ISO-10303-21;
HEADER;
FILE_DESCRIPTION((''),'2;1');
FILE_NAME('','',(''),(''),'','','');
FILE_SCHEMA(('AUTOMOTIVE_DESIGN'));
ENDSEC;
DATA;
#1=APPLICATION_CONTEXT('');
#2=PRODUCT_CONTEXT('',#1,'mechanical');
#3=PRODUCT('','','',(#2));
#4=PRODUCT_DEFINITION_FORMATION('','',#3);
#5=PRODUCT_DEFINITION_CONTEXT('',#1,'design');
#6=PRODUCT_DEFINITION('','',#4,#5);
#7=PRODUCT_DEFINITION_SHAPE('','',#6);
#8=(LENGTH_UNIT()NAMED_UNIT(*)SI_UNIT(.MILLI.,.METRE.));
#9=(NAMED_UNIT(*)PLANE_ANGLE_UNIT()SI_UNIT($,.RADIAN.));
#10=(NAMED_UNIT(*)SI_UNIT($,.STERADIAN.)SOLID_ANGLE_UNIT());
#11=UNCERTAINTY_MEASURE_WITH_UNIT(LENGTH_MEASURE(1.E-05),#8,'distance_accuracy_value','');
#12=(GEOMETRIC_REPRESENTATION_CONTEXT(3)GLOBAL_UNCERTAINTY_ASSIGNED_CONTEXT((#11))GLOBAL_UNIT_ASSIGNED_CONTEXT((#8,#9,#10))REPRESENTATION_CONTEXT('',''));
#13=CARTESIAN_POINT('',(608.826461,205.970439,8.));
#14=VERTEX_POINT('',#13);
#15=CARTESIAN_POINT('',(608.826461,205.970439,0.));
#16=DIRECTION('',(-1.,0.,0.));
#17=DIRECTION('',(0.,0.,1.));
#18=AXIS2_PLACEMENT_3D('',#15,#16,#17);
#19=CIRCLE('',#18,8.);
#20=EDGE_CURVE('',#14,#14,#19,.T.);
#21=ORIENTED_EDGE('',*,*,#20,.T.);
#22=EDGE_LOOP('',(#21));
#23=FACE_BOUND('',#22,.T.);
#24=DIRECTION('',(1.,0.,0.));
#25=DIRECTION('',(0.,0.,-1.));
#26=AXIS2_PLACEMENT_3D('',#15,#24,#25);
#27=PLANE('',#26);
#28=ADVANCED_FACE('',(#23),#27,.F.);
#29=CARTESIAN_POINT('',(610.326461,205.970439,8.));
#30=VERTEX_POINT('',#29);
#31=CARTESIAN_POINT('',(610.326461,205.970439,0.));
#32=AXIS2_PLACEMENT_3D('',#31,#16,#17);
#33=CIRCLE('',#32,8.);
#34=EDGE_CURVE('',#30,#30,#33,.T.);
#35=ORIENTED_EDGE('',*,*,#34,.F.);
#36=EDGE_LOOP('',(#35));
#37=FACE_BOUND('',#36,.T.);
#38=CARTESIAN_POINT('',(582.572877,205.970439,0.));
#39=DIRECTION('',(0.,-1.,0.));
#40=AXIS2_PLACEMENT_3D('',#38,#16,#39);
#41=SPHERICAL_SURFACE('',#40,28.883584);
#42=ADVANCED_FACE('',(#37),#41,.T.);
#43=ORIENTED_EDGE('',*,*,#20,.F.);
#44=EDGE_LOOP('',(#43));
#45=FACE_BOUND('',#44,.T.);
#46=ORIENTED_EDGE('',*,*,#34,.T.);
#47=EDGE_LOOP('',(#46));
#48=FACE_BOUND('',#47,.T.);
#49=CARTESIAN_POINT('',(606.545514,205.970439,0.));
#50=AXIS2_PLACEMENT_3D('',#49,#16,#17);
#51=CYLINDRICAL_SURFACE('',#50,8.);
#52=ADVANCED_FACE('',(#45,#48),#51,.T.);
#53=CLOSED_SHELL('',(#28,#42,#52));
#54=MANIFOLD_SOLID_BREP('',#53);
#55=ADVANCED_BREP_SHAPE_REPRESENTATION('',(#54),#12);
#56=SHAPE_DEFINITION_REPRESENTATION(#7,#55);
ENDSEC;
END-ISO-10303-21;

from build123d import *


with BuildPart() as part:
    # 草图1 → 旋转1 (revolve)
    with BuildSketch(Plane.XY, mode=Mode.PRIVATE) as revolve_1_sk:
        with BuildLine():
            Line((608.826461458, 205.970438783), (608.826461458, 213.970438783))
            Line((608.826461458, 213.970438783), (610.326461458, 213.970438783))
            ThreePointArc((610.326461458, 213.970438783), (611.172566263, 210.010144836), (611.456461458, 205.970438783))
            Line((611.456461458, 205.970438783), (608.826461458, 205.970438783))
        make_face()
    revolve(revolve_1_sk.sketch.rotate(Axis((606.545514054, 205.970438783, 0), (1, 0, 0)), 180), axis=Axis((606.545514054, 205.970438783, 0), (1, 0, 0)))  # turned: the seam where the file's is


solid = part.part
